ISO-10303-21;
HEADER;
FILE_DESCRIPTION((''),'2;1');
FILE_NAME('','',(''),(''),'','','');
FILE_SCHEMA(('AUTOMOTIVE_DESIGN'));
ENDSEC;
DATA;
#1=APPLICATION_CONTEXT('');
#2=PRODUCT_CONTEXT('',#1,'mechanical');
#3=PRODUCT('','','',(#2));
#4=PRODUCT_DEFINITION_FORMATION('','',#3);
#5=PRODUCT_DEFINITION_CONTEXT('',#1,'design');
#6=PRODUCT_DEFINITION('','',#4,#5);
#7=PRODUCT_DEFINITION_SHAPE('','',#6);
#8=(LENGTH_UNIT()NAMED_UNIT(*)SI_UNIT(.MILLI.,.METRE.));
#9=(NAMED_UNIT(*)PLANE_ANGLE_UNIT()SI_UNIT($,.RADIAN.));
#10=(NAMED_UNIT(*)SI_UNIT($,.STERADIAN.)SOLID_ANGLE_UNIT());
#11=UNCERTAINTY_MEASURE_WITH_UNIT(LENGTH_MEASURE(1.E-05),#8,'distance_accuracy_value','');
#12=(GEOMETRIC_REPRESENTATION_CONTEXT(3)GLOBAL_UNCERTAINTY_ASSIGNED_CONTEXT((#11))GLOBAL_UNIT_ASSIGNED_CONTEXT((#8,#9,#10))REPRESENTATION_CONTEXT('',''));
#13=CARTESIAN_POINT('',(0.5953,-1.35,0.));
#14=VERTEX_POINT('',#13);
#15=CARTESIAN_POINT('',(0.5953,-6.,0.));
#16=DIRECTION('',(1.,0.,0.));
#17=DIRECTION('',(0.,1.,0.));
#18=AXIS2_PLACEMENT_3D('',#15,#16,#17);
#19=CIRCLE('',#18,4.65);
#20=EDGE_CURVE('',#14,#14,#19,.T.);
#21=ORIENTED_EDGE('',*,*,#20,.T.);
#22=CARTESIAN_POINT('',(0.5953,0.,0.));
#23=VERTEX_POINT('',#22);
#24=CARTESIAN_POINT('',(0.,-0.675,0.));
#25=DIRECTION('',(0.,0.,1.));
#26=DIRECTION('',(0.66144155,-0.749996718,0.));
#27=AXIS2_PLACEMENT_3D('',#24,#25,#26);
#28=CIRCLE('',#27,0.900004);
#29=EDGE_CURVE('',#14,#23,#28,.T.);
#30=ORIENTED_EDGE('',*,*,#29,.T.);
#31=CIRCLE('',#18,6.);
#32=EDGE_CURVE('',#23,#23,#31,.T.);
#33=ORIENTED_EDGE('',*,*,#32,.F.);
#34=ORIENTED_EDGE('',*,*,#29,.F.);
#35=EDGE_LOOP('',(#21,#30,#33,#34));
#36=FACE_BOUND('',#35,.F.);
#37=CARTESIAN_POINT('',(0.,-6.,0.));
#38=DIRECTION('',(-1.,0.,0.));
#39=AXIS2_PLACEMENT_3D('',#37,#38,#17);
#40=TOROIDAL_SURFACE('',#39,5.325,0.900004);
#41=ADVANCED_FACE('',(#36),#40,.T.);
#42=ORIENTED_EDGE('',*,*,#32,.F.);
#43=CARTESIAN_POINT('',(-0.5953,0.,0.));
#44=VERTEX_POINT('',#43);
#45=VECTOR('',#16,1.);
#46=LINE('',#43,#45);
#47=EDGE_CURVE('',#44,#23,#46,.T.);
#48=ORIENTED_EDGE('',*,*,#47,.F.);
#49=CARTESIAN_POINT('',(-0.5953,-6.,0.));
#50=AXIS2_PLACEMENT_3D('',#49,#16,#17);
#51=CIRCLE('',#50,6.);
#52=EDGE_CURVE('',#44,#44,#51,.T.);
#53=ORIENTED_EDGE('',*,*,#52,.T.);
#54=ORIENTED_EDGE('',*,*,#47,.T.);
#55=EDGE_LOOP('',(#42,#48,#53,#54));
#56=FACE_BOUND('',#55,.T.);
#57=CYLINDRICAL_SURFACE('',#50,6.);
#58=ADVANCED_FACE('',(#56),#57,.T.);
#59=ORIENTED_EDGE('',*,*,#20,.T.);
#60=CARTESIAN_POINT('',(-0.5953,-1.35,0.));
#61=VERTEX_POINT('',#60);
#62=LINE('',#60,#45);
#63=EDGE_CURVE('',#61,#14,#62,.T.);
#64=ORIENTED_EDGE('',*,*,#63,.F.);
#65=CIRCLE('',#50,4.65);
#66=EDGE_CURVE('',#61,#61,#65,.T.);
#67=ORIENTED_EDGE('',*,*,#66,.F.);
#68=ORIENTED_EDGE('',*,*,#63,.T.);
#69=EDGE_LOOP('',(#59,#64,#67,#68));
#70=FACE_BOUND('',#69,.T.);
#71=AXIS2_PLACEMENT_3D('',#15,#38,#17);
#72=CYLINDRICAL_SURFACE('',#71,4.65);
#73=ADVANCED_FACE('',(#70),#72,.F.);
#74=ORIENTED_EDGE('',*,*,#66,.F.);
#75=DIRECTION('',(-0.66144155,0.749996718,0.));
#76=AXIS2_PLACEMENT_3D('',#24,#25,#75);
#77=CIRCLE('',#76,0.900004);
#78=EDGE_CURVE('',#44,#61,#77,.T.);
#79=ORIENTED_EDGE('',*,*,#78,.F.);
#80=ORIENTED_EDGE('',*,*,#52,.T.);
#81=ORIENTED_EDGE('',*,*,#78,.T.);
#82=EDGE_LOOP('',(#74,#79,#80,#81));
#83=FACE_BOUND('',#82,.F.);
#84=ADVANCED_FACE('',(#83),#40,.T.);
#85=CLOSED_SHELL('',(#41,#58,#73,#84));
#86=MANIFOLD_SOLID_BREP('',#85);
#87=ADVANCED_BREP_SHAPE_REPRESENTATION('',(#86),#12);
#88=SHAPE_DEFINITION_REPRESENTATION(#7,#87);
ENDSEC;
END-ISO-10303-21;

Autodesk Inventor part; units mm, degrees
ref_plane "YZ Plane" through (0, 0, 0) normal (1, 0, 0) x (0, 1, 0)
ref_plane "XZ Plane" through (0, 0, 0) normal (0, 1, 0) x (-1, 0, 0)
ref_plane "XY Plane" through (0, 0, 0) normal (0, 0, 1) x (1, 0, 0)
sketch "Sketch1" plane through (0, 0, 0) normal (0, 0, 1) x (1, 0, 0)
  line L0 (-0.5953, 0) -> (0.5953, 0)
  line L1 (-2.4121, 0) -> (3.0062, 0) projected
  line L2 (0.5953, -1.35) -> (-0.5953, -1.35)
  arc A0 (-0.5953, 0) -> (-0.5953, -1.35) centre (0, -0.675) ccw
  line L3 (-1.6381, -6) -> (2.2322, -6)
  line L4 (0, 1.8) -> (0, -10.8) projected
  arc A1 (0.5953, -1.35) -> (0.5953, 0) centre (0, -0.675) ccw
  line L5 (0, 0) -> (0, 0) construction
  dimension "d0" = 9.3
  dimension "d1" = 0.675
  dimension "d2" = 12
  dimension "d3" = 0.9
revolve "Body" add sketch "Sketch1" angle 360 about axis through (-1.6381, -6, 0) along (1, 0, 0)
equation "\"d0\" = NDOR"
equation "\"d1\" = -0.25 * NDOR + 0.25 * NND"
equation "\"d2\" = NND"
equation "\"d3\" = 0.5 * QDM"
equation "\"QDM\" = 1.8"
equation "\"NND\" = 12"
equation "\"NDOR\" = 9.3"
equation "\"R2\" = 0.2"
equation "\"NB3\" = 5.2"
equation "\"SD1\" = 8.76"
equation "\"R1\" = 0.3"
equation "\"NB2\" = 3.8"
equation "\"NB1\" = 2.4"
equation "\"BD\" = 11.88"
equation "\"NTOR\" = -0.5 * NDOR + 0.5 * NND"
properties part number "DIN 3771 - 8.76 x 1.8 - N - NBR 70" material "Rubber"
